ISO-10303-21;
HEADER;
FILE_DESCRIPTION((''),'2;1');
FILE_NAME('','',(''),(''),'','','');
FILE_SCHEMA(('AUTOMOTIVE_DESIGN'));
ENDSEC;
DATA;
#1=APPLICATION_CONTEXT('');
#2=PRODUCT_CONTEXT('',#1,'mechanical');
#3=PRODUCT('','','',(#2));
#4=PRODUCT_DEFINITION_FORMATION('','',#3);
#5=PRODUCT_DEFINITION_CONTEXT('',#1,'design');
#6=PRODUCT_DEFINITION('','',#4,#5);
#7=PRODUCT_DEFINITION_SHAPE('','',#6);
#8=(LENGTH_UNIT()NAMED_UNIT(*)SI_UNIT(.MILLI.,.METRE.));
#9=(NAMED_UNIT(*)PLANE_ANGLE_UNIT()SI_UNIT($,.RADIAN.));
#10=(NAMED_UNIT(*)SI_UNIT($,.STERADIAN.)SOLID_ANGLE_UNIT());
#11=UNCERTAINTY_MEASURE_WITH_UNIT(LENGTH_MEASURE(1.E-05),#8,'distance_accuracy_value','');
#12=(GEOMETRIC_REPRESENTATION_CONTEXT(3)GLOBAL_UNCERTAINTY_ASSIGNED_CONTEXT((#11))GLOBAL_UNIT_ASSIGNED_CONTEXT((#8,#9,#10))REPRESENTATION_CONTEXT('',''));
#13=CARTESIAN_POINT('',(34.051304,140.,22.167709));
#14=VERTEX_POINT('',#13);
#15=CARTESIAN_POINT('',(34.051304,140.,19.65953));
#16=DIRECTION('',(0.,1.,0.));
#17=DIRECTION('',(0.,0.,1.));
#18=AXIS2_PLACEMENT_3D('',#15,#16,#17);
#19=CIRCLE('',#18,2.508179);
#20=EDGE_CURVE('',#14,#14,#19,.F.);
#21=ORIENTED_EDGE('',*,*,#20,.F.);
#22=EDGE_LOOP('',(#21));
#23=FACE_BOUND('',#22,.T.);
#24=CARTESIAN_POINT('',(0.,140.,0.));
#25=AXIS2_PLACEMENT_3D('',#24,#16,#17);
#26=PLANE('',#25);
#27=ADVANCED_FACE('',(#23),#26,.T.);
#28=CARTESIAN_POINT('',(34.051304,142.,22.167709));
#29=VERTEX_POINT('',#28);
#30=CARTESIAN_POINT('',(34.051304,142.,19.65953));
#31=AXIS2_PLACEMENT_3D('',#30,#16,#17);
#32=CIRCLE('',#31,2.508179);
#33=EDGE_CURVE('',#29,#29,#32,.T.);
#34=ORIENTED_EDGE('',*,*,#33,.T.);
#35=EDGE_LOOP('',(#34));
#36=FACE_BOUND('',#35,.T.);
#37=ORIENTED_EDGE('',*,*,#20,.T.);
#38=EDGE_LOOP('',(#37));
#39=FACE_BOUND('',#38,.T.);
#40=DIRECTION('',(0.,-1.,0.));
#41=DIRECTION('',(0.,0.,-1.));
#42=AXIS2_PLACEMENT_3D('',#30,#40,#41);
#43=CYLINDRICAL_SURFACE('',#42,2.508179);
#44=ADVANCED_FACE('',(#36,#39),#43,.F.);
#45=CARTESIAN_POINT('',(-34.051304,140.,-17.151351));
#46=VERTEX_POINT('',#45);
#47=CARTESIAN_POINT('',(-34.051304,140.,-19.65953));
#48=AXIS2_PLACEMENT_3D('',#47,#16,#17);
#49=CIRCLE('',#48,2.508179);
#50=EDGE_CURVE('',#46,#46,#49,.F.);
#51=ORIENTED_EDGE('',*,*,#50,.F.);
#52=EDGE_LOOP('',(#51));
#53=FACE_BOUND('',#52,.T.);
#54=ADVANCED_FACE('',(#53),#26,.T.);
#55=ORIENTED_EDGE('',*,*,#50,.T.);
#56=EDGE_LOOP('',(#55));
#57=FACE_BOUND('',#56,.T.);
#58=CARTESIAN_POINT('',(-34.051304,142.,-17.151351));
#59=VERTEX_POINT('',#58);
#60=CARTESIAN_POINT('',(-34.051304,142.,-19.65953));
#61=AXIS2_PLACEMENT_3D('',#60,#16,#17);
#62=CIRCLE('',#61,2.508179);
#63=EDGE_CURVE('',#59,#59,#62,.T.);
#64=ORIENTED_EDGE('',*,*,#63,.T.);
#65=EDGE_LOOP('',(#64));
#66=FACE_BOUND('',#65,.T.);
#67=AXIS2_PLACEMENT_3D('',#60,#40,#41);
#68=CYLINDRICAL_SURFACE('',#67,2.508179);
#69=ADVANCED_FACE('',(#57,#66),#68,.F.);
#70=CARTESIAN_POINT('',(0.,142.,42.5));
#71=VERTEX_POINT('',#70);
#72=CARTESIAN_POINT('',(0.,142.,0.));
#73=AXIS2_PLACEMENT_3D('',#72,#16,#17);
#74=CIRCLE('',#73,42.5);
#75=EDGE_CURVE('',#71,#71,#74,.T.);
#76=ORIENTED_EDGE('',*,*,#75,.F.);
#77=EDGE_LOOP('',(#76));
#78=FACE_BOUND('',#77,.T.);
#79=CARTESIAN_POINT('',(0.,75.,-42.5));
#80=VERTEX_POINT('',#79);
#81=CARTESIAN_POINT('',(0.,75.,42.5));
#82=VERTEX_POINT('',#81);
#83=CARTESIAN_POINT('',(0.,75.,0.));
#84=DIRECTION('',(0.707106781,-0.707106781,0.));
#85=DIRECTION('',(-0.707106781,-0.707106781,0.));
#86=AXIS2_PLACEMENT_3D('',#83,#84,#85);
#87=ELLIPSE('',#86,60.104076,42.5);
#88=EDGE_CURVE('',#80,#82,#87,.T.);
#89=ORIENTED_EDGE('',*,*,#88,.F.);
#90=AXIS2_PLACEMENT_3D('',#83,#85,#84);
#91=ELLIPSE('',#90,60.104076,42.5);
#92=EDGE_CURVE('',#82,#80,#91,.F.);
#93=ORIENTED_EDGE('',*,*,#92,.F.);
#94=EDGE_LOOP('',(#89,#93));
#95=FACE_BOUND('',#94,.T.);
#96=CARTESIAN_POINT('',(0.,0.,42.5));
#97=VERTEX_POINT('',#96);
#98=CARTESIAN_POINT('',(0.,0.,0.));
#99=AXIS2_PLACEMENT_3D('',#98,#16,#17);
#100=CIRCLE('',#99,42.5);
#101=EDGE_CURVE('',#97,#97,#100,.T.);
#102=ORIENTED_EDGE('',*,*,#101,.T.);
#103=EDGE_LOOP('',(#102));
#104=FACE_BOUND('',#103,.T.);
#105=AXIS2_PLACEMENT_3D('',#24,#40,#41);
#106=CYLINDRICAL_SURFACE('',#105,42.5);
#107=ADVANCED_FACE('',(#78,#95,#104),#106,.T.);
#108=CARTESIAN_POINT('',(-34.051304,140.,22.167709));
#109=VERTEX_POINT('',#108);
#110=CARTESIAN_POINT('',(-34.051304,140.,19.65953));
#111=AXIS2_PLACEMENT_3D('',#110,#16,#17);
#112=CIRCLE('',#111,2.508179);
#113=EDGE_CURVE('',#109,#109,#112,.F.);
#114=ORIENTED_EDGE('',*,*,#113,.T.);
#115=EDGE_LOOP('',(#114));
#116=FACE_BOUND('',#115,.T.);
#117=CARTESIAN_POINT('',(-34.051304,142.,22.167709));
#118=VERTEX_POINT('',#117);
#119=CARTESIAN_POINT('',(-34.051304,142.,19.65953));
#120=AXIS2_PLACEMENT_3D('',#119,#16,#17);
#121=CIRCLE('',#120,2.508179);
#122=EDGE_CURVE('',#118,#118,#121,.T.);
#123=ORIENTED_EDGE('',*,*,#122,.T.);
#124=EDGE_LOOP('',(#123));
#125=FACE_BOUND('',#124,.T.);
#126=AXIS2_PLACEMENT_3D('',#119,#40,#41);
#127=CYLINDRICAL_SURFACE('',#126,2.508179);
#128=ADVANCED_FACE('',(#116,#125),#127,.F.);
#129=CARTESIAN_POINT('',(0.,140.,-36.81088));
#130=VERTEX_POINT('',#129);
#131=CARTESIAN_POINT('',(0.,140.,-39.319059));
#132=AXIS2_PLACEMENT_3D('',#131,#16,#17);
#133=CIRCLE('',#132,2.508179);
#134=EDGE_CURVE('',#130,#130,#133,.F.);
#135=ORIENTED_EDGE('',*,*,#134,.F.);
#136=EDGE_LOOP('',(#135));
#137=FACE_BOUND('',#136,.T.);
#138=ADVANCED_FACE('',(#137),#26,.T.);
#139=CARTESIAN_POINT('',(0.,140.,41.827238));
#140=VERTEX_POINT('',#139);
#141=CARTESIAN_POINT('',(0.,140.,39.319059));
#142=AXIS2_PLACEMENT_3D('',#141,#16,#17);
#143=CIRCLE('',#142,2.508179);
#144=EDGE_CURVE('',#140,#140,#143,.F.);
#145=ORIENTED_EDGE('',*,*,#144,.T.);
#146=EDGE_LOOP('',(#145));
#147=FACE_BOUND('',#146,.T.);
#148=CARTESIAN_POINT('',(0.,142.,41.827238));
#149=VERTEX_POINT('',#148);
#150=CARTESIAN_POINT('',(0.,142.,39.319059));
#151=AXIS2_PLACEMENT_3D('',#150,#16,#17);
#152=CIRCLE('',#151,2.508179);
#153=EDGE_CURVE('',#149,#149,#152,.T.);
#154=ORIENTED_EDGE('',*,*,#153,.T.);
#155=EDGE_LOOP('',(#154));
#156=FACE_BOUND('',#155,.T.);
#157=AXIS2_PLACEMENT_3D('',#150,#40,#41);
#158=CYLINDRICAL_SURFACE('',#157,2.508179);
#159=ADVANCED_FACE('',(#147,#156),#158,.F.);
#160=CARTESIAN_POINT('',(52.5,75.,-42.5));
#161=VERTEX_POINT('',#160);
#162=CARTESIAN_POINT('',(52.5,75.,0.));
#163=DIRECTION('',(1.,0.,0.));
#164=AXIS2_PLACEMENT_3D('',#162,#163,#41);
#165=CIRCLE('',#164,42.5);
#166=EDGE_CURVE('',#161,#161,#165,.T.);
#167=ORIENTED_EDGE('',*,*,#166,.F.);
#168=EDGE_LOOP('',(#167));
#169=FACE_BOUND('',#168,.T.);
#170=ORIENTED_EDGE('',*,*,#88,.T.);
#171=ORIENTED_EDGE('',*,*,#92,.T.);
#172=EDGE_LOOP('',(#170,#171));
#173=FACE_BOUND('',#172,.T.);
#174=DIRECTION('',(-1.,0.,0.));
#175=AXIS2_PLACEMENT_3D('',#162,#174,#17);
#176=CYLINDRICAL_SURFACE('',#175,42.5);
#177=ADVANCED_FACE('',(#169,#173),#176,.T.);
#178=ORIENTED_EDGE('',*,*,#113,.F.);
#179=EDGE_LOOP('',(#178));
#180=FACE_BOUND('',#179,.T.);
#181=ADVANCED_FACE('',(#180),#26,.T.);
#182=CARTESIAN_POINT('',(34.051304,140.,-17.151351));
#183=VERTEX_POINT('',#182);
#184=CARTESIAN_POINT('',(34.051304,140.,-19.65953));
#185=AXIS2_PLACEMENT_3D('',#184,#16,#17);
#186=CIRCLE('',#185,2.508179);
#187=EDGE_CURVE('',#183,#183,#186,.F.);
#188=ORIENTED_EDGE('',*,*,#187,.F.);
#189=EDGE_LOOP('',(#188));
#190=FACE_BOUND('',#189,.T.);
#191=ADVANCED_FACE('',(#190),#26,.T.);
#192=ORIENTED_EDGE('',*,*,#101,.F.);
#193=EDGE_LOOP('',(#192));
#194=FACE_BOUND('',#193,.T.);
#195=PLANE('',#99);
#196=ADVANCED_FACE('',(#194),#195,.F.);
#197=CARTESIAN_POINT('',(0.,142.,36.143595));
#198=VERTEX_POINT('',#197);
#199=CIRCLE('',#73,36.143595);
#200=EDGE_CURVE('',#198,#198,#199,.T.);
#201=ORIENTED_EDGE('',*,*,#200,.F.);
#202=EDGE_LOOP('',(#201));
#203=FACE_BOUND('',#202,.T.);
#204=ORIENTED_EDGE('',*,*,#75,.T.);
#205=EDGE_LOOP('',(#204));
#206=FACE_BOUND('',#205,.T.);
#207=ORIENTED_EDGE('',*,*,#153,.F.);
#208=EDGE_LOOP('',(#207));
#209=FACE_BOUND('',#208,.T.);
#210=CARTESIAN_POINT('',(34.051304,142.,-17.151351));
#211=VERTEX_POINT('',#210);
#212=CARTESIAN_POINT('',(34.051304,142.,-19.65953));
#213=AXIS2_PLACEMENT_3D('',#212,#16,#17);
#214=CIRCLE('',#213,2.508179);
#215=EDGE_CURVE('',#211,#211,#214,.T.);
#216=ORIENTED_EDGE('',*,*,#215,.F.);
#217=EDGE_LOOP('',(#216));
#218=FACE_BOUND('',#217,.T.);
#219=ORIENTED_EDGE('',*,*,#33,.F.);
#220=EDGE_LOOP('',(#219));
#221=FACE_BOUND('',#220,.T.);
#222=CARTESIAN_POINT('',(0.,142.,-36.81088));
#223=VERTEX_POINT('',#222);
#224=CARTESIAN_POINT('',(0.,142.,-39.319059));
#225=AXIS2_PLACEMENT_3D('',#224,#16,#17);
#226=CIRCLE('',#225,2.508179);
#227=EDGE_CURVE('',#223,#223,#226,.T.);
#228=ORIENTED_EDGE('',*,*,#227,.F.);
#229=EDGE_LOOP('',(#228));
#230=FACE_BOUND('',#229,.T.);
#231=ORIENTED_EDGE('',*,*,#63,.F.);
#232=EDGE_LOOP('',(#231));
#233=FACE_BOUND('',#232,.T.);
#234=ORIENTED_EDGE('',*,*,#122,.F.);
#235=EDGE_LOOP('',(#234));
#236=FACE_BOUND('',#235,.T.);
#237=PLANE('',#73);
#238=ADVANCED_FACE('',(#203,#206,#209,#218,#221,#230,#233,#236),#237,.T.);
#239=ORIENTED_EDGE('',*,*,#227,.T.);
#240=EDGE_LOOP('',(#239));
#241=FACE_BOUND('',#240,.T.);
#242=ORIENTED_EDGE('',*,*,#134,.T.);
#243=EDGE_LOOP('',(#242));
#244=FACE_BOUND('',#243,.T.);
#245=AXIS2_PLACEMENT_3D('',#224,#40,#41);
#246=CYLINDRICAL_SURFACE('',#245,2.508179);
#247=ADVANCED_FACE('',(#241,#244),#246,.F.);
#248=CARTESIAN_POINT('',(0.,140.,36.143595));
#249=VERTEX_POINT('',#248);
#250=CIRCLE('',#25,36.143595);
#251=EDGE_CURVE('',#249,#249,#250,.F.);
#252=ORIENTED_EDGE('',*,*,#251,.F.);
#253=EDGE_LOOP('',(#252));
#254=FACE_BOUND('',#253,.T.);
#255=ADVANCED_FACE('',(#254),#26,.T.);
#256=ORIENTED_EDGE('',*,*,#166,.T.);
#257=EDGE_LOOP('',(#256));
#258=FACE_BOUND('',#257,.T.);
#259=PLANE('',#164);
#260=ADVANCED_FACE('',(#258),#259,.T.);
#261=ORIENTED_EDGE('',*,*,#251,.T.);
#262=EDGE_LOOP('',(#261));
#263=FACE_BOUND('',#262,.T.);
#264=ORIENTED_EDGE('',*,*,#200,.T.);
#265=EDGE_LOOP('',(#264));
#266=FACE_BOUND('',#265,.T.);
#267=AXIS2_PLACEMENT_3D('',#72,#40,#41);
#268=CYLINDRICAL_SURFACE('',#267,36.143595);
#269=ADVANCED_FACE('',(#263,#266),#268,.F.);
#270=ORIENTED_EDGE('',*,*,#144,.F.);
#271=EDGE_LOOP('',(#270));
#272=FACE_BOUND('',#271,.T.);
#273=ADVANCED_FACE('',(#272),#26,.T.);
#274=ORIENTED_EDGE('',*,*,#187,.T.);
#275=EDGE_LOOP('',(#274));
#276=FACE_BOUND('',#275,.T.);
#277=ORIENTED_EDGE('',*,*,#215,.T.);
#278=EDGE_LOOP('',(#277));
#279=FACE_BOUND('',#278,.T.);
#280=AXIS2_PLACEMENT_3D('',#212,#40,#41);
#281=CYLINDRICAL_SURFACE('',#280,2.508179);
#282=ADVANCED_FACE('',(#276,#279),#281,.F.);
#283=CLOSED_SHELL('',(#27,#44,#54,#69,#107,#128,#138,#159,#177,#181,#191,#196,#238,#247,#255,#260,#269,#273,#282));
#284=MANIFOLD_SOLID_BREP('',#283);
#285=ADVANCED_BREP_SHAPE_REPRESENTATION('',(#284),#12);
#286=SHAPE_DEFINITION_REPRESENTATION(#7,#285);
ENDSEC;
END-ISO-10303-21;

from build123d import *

# Parameters (mm, degrees)
CROQUIS1_R              = 42.5
SALIENTE_EXTRUIR1_DEPTH = 140
CROQUIS2_R              = 42.5
SALIENTE_EXTRUIR2_DEPTH = 52.5
CROQUIS3_R              = 42.5
CROQUIS3_R_2            = 36.143595246
CROQUIS3_R_3            = 2.508178933
SALIENTE_EXTRUIR3_DEPTH = 2


with BuildPart() as part:
    # Croquis1 → Saliente-Extruir1 (new body)
    with BuildSketch(Plane(origin=(0, 0, 0), x_dir=(1, 0, 0), z_dir=(0, 1, 0))):
        with Locations(Location((0, 0, 0), (0, 0, 270))):
            Circle(CROQUIS1_R)
    extrude(amount=SALIENTE_EXTRUIR1_DEPTH)

    # Croquis2 → Saliente-Extruir2 (add)
    with BuildSketch(Plane(origin=(0, 0, 0), x_dir=(0, 0, -1), z_dir=(1, 0, 0))):
        with Locations((0, 75)):
            Circle(CROQUIS2_R)
    extrude(amount=SALIENTE_EXTRUIR2_DEPTH)

    # Croquis3 → Saliente-Extruir3 (add)
    with BuildSketch(Plane(origin=(0, 140, 0), x_dir=(1, 0, 0), z_dir=(0, 1, 0))):
        with Locations(Location((0, 0, 0), (0, 0, 270))):
            Circle(CROQUIS3_R)
        with Locations(Location((0, 0, 0), (0, 0, 270))):
            Circle(CROQUIS3_R_2, mode=Mode.SUBTRACT)
        with Locations(Location((0, 39.319059372, 0), (0, 0, 270))):
            Circle(CROQUIS3_R_3, mode=Mode.SUBTRACT)
        with Locations(Location((34.051304269, 19.659529686, 0), (0, 0, 270))):
            Circle(CROQUIS3_R_3, mode=Mode.SUBTRACT)
        with Locations(Location((34.051304269, -19.659529686, 0), (0, 0, 270))):
            Circle(CROQUIS3_R_3, mode=Mode.SUBTRACT)
        with Locations(Location((0, -39.319059372, 0), (0, 0, 270))):
            Circle(CROQUIS3_R_3, mode=Mode.SUBTRACT)
        with Locations(Location((-34.051304269, -19.659529686, 0), (0, 0, 270))):
            Circle(CROQUIS3_R_3, mode=Mode.SUBTRACT)
        with Locations(Location((-34.051304269, 19.659529686, 0), (0, 0, 270))):
            Circle(CROQUIS3_R_3, mode=Mode.SUBTRACT)
    extrude(amount=SALIENTE_EXTRUIR3_DEPTH)


solid = part.part
